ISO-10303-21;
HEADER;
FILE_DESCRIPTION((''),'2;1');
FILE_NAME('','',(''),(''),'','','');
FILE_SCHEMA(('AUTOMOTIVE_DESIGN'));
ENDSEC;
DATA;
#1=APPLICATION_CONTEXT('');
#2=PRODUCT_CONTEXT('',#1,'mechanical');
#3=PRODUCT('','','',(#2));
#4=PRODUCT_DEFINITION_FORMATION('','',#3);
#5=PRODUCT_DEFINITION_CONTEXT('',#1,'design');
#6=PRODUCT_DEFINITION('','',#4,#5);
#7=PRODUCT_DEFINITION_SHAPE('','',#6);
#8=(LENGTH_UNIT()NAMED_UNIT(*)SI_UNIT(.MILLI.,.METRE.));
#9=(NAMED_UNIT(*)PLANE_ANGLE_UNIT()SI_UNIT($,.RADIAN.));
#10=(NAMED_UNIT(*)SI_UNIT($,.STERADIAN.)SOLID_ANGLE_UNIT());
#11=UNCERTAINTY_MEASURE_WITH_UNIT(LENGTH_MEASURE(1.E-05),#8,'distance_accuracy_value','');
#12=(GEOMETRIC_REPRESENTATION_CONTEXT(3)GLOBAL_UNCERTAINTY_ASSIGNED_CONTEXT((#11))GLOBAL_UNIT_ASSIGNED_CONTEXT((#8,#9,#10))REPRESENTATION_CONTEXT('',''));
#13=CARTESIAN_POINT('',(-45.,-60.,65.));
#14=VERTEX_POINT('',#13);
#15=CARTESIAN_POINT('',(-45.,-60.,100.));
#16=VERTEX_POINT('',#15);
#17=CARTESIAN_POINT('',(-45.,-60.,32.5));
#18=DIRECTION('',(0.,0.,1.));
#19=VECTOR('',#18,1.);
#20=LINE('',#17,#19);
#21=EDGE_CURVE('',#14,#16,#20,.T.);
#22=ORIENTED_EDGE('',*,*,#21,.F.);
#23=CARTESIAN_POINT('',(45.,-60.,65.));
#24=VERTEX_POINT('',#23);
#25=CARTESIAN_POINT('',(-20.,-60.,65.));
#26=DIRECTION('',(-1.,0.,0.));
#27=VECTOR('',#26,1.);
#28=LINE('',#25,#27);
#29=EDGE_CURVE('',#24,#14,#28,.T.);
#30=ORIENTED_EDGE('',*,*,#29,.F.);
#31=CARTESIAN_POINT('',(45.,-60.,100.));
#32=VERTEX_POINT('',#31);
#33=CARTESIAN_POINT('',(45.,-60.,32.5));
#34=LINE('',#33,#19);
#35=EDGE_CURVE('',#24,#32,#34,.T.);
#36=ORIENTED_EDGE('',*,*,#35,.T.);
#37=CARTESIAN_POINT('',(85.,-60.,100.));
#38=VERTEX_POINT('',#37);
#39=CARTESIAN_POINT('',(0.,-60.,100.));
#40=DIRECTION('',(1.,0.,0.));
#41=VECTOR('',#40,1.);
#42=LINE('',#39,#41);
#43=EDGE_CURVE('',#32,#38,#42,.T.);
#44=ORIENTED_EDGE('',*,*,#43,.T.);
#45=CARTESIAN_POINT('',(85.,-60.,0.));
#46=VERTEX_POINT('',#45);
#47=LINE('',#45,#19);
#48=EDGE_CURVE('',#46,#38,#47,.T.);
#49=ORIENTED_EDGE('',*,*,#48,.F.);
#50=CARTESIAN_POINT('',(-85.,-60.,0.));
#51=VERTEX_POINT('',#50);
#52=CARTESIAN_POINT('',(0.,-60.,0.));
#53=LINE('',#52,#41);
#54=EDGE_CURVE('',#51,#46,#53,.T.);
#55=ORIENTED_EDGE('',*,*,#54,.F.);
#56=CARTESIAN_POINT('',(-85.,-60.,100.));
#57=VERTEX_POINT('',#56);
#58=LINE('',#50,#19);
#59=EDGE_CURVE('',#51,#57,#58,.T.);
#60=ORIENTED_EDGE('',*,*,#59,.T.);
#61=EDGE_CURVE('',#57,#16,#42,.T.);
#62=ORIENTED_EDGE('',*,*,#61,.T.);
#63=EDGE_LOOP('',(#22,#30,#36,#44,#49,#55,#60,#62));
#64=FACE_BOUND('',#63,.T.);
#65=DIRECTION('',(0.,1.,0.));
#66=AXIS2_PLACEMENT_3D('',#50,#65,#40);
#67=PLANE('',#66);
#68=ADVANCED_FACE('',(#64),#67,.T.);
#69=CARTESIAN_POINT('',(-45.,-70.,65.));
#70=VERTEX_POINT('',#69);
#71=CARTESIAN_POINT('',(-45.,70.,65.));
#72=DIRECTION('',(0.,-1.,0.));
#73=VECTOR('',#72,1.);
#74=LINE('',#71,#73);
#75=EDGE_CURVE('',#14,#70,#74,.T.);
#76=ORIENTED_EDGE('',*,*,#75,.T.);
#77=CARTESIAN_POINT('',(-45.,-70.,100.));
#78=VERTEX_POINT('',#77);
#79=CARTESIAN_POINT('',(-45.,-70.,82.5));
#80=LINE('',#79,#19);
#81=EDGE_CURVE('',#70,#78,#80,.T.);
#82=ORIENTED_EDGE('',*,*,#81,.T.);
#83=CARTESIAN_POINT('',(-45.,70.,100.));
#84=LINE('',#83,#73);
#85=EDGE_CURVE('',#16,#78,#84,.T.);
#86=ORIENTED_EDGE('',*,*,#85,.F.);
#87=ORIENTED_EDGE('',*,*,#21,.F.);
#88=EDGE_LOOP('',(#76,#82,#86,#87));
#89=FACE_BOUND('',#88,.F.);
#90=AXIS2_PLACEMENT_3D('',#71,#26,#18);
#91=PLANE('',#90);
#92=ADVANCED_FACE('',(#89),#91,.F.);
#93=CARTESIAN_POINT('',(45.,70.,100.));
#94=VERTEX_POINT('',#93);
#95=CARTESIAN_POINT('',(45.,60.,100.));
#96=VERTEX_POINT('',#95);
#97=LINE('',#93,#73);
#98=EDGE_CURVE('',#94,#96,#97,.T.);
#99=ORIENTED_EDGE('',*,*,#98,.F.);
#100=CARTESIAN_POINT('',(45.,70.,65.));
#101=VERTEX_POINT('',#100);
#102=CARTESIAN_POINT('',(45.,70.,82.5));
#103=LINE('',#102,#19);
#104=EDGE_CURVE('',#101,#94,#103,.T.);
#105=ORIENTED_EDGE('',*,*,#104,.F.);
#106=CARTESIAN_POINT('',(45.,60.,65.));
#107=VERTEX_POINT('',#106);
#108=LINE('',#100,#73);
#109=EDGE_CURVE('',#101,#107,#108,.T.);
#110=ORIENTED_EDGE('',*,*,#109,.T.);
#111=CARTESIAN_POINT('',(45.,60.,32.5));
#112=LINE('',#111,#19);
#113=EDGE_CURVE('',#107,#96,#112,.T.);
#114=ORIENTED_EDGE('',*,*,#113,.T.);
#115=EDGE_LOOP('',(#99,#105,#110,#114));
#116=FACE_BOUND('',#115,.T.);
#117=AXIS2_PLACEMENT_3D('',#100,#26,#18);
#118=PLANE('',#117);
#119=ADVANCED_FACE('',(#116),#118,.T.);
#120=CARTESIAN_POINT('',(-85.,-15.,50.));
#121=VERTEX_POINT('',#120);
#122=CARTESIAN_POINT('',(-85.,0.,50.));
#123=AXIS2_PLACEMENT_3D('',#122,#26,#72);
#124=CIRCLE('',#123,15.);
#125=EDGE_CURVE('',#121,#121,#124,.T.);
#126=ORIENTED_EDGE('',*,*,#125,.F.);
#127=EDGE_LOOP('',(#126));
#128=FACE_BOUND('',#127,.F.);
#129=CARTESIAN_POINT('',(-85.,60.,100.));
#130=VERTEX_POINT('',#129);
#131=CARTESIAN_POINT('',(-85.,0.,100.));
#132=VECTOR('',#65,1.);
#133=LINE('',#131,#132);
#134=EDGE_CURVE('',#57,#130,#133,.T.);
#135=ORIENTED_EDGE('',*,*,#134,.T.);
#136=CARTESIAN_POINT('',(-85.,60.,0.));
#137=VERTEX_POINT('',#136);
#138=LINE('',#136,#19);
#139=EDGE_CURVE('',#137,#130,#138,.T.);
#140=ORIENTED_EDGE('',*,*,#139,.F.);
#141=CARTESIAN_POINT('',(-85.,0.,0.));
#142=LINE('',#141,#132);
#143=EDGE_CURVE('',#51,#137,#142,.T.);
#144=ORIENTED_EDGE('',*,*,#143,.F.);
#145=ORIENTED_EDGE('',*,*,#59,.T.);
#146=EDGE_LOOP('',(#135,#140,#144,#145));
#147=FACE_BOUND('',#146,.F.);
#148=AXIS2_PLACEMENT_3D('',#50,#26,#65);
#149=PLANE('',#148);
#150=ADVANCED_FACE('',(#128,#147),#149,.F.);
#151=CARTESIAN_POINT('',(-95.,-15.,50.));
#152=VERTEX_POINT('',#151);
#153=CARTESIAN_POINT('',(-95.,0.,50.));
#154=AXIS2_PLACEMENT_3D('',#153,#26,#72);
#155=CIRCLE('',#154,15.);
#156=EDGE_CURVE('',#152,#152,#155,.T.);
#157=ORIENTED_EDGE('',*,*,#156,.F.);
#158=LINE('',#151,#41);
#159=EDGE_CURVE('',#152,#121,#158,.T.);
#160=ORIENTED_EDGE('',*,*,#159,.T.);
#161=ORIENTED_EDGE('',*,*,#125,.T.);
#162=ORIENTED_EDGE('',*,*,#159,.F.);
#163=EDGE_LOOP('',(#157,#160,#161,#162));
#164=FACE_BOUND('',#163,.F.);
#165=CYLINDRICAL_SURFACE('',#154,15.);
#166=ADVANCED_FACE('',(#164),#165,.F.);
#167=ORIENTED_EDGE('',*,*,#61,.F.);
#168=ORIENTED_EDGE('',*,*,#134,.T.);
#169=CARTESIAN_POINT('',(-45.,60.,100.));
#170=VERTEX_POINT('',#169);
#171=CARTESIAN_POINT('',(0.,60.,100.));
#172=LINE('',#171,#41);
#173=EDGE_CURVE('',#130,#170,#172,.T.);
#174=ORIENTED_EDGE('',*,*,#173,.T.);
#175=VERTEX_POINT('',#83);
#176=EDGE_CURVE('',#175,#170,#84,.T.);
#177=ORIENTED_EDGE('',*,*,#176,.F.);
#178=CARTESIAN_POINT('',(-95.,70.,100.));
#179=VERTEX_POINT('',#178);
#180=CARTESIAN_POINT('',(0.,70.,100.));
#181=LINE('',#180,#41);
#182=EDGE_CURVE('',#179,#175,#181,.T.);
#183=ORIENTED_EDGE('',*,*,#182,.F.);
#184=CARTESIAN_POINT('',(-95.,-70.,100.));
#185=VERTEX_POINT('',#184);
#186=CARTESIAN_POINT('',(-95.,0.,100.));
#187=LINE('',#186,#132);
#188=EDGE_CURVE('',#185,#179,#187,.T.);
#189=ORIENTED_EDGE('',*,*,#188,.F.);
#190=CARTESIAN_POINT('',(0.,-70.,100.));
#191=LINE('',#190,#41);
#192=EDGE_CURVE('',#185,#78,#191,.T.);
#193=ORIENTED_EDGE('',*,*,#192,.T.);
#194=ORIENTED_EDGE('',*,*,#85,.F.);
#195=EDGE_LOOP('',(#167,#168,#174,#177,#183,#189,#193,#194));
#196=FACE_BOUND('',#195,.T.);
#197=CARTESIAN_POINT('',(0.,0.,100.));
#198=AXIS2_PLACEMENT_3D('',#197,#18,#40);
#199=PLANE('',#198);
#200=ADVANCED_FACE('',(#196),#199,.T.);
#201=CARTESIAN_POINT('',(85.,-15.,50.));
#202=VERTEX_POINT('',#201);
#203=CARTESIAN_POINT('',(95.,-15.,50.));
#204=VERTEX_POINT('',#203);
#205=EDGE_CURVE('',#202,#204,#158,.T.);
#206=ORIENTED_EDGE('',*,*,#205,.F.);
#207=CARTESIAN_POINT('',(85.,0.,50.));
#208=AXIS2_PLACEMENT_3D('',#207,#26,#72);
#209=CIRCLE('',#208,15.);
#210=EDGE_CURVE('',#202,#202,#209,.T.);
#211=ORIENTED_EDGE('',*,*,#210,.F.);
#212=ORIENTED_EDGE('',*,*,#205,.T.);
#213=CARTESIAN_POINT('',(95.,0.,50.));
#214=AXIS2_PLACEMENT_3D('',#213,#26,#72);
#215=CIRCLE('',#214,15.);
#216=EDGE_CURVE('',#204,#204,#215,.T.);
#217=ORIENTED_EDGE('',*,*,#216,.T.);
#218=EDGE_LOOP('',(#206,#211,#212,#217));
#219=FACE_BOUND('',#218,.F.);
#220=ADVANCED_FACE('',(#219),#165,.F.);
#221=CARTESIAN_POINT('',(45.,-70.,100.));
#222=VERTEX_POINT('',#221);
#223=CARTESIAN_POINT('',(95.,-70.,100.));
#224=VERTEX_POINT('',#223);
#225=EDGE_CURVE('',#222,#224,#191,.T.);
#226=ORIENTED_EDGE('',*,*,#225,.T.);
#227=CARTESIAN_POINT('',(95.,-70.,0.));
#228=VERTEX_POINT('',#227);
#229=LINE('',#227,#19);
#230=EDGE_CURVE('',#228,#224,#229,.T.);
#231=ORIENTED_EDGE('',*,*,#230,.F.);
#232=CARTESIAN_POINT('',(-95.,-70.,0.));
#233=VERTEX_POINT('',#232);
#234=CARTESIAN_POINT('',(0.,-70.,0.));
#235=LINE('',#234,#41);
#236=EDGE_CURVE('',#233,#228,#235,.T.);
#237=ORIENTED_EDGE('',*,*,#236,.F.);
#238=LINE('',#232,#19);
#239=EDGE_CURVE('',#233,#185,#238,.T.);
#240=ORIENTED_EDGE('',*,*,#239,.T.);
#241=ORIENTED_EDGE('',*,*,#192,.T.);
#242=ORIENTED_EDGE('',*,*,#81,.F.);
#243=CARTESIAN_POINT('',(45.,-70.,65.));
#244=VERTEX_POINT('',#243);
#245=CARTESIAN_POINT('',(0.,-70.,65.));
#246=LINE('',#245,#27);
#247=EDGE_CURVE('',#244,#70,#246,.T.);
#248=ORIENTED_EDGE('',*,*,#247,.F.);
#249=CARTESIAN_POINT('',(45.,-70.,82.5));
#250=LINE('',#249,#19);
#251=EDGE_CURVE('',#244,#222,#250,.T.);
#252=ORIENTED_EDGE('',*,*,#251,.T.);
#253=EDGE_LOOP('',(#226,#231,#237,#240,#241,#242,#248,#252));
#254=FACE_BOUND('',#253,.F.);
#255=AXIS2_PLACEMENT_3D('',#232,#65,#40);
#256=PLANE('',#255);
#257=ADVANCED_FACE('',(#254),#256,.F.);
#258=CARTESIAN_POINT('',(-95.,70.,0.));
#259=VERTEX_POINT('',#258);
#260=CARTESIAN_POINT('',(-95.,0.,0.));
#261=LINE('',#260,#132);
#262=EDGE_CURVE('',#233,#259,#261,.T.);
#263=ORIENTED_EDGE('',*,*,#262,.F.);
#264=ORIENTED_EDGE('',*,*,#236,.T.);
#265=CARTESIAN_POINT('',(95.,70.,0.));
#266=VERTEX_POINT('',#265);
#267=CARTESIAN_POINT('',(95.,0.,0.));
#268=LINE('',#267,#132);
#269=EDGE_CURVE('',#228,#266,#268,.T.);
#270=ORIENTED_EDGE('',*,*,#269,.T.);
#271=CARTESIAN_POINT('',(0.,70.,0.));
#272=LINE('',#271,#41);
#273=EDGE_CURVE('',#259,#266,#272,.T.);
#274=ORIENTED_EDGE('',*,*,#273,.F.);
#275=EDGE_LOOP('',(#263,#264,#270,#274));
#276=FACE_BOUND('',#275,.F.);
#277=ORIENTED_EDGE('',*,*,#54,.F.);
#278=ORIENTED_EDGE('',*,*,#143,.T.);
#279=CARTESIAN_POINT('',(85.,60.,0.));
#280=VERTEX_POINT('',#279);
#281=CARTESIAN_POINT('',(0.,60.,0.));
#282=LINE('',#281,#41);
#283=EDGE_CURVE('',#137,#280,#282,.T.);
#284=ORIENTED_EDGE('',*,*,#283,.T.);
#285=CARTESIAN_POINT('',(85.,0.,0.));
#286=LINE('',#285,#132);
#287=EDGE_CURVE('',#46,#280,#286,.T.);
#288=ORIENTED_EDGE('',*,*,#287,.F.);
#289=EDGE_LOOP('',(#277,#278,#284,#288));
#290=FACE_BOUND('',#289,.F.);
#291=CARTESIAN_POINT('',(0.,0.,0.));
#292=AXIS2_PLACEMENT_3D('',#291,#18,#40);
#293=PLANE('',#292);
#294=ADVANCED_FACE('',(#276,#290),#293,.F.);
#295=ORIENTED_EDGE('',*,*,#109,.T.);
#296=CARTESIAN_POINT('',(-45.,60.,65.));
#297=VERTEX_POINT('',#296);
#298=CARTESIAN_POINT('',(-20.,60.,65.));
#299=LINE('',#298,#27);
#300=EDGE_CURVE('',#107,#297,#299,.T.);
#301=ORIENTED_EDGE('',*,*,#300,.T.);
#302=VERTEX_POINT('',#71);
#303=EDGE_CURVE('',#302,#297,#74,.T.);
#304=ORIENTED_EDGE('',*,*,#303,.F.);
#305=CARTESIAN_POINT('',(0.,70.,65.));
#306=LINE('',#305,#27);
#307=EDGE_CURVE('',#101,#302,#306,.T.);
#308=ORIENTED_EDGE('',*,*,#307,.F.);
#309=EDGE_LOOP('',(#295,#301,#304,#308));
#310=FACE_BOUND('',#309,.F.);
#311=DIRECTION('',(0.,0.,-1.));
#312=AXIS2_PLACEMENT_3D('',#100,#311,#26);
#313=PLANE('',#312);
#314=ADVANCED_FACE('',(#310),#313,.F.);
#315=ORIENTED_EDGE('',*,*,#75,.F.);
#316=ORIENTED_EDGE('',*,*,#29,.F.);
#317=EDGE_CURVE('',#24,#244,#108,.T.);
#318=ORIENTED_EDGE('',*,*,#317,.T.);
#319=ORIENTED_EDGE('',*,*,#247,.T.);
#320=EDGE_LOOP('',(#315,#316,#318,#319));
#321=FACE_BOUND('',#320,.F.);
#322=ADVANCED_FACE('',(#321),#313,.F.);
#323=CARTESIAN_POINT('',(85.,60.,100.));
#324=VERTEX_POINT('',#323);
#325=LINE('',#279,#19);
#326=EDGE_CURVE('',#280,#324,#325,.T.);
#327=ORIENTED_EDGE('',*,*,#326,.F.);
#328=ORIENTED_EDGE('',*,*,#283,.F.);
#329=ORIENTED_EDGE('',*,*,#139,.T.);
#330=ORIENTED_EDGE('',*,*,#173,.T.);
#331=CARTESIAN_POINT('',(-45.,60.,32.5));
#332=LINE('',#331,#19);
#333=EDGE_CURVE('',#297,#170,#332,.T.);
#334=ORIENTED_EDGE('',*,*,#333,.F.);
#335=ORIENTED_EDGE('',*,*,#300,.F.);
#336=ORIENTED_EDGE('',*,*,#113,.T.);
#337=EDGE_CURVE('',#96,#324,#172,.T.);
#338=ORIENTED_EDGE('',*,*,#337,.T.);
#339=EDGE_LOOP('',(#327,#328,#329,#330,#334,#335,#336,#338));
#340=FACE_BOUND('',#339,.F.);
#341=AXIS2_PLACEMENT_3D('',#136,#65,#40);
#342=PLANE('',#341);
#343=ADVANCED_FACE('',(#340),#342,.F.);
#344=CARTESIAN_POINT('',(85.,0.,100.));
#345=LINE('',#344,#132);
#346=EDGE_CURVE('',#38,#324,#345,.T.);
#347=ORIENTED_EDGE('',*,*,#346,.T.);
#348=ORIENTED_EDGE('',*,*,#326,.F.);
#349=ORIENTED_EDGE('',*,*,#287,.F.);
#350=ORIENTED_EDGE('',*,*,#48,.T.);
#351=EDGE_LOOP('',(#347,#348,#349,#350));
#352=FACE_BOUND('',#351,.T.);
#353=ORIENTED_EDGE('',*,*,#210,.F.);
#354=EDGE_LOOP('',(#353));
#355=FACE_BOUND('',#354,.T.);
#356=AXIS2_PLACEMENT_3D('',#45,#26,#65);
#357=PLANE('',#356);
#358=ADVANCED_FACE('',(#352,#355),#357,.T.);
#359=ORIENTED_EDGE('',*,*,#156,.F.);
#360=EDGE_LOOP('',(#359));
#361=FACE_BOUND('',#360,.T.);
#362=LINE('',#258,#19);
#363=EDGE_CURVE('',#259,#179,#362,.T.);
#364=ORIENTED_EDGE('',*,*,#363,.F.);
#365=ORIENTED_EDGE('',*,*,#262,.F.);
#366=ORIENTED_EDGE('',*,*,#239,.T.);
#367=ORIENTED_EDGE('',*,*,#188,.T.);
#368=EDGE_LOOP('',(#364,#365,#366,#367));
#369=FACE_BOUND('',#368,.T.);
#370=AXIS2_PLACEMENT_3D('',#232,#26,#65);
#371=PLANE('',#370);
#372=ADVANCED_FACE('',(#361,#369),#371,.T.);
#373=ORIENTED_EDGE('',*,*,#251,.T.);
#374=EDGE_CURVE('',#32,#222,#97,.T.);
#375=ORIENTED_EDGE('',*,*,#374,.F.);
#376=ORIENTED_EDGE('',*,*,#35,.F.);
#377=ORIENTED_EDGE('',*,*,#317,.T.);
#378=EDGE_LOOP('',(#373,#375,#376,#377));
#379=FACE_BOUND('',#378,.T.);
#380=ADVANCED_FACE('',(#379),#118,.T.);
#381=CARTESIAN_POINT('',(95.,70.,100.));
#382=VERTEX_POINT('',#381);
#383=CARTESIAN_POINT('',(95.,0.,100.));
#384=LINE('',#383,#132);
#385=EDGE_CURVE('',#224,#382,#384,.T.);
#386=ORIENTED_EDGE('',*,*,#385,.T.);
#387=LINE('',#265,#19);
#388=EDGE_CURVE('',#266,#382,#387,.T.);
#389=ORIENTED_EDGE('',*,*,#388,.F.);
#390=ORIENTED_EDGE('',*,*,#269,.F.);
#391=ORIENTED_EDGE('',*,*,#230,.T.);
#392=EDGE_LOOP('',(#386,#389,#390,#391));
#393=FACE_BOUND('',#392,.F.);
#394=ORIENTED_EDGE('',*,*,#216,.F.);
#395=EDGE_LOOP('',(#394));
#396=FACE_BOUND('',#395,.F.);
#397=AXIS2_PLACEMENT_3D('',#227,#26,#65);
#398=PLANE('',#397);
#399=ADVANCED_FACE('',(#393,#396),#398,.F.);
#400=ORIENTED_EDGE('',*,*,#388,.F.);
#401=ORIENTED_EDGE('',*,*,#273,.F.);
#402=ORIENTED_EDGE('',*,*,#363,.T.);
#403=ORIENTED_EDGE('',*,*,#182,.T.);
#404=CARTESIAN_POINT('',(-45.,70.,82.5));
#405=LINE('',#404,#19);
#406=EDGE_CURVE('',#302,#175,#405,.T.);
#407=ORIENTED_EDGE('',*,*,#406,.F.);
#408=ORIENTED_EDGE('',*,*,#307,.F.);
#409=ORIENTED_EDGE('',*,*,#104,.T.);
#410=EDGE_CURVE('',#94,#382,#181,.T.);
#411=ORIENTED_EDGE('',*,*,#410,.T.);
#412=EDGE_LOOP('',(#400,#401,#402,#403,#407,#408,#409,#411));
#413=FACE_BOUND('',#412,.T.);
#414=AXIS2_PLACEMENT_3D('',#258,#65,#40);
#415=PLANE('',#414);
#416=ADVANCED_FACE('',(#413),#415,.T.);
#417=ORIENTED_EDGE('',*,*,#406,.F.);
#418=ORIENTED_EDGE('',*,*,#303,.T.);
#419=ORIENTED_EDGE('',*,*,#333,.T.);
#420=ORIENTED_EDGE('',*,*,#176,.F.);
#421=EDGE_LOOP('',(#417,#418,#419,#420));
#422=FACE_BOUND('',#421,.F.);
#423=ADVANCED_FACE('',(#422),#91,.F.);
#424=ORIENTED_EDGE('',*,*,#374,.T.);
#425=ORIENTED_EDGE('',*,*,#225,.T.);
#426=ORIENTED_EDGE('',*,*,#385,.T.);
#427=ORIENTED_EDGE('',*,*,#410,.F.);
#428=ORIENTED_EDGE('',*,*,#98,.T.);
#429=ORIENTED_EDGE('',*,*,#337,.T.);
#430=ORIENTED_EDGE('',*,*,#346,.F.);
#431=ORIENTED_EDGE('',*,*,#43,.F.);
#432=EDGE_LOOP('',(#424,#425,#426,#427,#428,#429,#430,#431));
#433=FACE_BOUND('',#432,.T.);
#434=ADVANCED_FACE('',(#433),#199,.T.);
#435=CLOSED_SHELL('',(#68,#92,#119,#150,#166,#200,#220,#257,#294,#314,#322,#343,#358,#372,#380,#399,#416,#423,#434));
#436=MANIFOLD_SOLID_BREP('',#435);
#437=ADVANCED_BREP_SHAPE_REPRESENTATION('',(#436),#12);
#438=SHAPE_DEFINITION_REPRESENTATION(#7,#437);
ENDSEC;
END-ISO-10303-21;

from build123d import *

# Parameters (mm, degrees)
F0_W     = 190
F0_H     = 140
F0_W_2   = 170
F0_H_2   = 120
F1_DEPTH = 100
F2_R     = 15
F3_DEPTH = 190
F4_W     = 90
F4_H     = 35
F5_DEPTH = 140


with BuildPart() as f1:
    # F0 (on Top) → F1 (new body)
    with BuildSketch(Plane.XY):
        Rectangle(F0_W, F0_H)
        Rectangle(F0_W_2, F0_H_2, mode=Mode.SUBTRACT)
    extrude(amount=F1_DEPTH)

    # F2 (on face) → F3 (cut, through all)
    with BuildSketch(Plane(origin=(-95, 0, 0), x_dir=(0, -1, 0), z_dir=(-1, 0, 0))):
        with Locations((0, 50)):
            Circle(F2_R)
    extrude(amount=-F3_DEPTH, mode=Mode.SUBTRACT)

    # F4 (on face) → F5 (cut, through all)
    with BuildSketch(Plane(origin=(0, 70, 0), x_dir=(-1, 0, 0), z_dir=(0, 1, 0))):
        with Locations((0, 82.5)):
            Rectangle(F4_W, F4_H)
    extrude(amount=-F5_DEPTH, mode=Mode.SUBTRACT)


solid = f1.part
